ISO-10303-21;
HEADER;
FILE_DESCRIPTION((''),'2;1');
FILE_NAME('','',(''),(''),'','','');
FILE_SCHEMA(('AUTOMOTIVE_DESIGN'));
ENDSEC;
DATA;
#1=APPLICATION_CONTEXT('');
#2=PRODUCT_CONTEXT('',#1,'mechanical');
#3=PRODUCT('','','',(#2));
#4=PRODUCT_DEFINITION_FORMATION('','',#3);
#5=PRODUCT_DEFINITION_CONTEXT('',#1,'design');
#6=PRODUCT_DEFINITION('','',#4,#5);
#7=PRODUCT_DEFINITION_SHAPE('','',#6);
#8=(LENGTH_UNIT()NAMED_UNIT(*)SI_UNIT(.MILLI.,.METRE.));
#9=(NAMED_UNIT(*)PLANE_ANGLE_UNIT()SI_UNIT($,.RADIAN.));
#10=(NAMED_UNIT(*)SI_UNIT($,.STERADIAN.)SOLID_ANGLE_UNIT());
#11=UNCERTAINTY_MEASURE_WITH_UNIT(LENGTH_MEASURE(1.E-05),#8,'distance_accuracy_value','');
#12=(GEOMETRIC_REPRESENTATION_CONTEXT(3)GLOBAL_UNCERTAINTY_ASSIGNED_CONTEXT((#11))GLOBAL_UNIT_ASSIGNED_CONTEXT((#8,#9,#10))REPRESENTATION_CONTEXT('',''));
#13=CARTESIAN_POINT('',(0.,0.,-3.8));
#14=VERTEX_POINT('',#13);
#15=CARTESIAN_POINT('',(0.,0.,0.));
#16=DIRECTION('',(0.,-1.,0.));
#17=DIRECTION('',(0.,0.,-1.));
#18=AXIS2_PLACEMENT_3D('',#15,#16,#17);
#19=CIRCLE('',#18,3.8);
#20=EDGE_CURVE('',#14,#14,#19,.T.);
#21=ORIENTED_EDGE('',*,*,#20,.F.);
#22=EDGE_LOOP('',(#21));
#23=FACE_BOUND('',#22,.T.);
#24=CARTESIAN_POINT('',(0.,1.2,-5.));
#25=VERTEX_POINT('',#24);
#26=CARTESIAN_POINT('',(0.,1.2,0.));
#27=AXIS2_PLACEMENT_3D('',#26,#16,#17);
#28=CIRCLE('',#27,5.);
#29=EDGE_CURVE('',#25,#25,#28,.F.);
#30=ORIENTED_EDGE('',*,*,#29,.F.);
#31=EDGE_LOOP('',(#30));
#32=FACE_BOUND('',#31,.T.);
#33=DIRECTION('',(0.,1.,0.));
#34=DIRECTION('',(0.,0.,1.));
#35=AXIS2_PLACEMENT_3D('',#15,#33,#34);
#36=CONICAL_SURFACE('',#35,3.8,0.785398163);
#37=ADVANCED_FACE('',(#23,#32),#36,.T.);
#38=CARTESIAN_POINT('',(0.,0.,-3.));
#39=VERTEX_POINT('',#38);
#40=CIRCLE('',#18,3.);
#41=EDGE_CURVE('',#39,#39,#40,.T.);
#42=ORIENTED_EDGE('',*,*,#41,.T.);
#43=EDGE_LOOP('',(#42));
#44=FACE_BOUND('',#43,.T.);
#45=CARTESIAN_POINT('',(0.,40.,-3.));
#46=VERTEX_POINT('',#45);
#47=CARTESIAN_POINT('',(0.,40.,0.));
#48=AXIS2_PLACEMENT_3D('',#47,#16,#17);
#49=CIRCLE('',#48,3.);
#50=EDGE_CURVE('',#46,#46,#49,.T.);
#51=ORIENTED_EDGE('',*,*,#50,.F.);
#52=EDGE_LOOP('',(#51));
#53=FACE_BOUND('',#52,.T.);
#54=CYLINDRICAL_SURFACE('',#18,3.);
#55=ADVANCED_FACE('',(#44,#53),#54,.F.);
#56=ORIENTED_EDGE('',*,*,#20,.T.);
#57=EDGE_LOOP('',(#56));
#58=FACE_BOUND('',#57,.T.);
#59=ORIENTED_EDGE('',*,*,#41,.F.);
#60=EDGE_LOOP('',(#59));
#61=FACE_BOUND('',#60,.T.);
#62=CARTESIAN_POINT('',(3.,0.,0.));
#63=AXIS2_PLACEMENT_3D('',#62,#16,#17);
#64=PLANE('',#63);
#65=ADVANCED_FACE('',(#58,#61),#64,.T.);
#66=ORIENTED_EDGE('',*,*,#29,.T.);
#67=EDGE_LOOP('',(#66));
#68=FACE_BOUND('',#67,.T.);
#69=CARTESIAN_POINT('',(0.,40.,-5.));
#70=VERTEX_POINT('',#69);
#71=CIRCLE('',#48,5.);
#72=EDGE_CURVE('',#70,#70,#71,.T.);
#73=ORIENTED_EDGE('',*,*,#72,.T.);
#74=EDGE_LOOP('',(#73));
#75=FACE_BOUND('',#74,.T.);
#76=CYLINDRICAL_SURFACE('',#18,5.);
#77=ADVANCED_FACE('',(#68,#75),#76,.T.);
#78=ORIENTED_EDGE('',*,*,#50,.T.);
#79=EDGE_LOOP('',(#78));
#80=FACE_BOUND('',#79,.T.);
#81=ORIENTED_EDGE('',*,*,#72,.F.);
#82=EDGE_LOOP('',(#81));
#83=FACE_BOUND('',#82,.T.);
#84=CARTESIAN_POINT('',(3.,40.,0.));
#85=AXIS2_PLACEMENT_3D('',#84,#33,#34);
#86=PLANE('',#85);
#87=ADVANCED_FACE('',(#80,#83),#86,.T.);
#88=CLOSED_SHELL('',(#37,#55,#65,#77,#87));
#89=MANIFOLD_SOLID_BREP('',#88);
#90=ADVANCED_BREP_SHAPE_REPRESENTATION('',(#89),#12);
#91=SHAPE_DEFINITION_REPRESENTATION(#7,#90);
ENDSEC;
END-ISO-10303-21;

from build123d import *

# Parameters (mm, degrees)
SKETCH1_W     = 2
SKETCH1_H     = 40
CHAMFER1_SIZE = 1.2


with BuildPart() as part:
    # Sketch1 → Revolve1 (revolve)
    with BuildSketch(Plane.XY):
        with Locations((4, 20)):
            Rectangle(SKETCH1_W, SKETCH1_H)
    revolve(axis=Axis((0, 0, 0), (0, 1, 0)))

    # Chamfer1
    chamfer1_edges = [part.edges().sort_by_distance(p)[0] for p in [
        (-5, 0, 0),
    ]]
    chamfer(chamfer1_edges, length=CHAMFER1_SIZE)


solid = part.part
